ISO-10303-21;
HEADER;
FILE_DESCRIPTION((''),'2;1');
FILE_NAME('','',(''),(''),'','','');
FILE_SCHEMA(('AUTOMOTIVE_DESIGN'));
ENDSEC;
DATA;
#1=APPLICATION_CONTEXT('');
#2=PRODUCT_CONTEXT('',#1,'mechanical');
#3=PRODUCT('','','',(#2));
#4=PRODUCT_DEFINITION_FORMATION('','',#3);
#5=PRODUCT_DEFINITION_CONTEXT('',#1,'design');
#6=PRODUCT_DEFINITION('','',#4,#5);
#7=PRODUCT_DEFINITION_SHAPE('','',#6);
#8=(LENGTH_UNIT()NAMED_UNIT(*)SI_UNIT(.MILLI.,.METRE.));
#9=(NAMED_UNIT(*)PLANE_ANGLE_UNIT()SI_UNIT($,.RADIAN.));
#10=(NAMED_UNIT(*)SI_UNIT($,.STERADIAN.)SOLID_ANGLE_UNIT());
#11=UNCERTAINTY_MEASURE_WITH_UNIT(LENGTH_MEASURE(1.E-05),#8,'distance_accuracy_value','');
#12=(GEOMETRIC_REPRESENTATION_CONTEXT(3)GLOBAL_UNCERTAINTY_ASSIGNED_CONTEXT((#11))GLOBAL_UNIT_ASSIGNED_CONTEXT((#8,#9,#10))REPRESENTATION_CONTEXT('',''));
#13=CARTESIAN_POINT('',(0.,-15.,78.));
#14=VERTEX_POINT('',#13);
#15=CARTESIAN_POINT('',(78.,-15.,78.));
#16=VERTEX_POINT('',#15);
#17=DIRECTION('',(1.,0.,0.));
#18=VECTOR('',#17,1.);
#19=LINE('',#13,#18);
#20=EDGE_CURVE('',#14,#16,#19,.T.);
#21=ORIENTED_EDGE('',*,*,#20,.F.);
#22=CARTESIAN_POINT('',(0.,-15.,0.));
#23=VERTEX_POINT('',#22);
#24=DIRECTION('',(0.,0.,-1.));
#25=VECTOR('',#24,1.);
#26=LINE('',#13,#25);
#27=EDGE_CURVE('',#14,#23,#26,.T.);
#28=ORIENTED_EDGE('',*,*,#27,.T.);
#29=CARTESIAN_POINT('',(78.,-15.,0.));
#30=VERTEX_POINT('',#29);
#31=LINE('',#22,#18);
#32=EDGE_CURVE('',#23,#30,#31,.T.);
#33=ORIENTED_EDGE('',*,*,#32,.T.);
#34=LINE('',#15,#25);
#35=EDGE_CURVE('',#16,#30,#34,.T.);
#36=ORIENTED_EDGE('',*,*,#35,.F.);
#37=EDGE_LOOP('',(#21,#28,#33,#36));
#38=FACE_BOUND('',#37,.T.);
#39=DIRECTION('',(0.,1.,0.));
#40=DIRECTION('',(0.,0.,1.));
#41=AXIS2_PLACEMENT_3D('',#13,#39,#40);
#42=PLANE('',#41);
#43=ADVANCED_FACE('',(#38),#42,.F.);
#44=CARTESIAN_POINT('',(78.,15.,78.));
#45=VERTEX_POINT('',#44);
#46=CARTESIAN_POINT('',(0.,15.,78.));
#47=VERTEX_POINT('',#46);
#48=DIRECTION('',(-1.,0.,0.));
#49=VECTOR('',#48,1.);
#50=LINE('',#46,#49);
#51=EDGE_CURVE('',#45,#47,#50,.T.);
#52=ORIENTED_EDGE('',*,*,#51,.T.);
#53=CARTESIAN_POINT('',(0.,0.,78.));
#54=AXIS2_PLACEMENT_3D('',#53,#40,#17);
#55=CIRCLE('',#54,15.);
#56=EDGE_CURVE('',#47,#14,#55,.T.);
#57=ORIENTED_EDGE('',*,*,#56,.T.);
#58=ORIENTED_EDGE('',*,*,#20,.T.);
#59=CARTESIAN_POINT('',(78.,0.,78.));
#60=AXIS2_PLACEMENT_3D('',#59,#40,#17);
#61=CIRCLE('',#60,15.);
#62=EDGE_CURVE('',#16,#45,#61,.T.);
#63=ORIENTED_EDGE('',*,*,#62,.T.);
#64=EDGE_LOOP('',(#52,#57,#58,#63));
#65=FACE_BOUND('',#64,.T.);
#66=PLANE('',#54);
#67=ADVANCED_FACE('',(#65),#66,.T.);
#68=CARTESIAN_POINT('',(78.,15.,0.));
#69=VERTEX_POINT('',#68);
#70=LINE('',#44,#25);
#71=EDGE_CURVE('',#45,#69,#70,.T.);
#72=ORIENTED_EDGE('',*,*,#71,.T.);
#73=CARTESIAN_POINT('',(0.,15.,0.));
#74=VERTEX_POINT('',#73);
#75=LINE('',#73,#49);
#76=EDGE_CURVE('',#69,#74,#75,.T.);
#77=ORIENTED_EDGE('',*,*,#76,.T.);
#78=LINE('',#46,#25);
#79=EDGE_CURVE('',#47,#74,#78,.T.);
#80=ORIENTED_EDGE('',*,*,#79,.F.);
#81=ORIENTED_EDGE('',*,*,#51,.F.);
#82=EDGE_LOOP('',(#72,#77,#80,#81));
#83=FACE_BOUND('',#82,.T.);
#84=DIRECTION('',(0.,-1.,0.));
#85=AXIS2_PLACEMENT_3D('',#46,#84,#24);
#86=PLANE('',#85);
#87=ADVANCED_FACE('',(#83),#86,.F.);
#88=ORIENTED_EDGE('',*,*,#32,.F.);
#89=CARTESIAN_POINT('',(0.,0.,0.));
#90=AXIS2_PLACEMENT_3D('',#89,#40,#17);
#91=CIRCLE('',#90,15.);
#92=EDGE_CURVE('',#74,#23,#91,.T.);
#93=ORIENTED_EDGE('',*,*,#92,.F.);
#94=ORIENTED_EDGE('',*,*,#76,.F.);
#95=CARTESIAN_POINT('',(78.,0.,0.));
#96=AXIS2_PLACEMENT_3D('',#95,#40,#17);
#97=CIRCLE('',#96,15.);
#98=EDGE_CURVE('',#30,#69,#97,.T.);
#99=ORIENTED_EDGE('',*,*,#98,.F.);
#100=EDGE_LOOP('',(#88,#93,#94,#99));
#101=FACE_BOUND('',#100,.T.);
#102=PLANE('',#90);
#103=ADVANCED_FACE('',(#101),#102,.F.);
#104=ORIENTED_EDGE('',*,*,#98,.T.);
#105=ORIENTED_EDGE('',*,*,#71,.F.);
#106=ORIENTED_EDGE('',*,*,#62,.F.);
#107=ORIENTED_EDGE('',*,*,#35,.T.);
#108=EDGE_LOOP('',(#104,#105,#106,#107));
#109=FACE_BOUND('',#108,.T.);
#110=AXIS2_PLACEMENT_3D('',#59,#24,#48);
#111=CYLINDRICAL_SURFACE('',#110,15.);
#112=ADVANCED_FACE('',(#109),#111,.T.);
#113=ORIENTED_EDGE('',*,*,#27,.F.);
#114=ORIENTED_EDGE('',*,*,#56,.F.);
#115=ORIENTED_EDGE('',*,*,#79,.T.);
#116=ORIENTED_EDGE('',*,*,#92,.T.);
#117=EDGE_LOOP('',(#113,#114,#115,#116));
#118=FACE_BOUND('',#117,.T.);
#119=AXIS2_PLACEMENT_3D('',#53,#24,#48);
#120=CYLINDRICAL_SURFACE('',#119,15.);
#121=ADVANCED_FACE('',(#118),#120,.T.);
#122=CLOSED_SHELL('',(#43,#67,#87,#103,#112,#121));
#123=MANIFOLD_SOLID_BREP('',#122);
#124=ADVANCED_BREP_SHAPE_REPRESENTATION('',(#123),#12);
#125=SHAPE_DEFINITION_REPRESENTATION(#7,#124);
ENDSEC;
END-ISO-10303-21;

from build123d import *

# Parameters (mm, degrees)
BOSS_EXTRU_1_DEPTH = 78


with BuildPart() as part:
    # Esquisse1 → Boss.-Extru.1 (new body)
    with BuildSketch(Plane.XY):
        with BuildLine():
            Line((0, 15), (78, 15))
            ThreePointArc((78, 15), (93, 0), (78, -15))
            Line((78, -15), (0, -15))
            ThreePointArc((0, -15), (-15, 0), (0, 15))
        make_face()
    extrude(amount=BOSS_EXTRU_1_DEPTH)


solid = part.part
